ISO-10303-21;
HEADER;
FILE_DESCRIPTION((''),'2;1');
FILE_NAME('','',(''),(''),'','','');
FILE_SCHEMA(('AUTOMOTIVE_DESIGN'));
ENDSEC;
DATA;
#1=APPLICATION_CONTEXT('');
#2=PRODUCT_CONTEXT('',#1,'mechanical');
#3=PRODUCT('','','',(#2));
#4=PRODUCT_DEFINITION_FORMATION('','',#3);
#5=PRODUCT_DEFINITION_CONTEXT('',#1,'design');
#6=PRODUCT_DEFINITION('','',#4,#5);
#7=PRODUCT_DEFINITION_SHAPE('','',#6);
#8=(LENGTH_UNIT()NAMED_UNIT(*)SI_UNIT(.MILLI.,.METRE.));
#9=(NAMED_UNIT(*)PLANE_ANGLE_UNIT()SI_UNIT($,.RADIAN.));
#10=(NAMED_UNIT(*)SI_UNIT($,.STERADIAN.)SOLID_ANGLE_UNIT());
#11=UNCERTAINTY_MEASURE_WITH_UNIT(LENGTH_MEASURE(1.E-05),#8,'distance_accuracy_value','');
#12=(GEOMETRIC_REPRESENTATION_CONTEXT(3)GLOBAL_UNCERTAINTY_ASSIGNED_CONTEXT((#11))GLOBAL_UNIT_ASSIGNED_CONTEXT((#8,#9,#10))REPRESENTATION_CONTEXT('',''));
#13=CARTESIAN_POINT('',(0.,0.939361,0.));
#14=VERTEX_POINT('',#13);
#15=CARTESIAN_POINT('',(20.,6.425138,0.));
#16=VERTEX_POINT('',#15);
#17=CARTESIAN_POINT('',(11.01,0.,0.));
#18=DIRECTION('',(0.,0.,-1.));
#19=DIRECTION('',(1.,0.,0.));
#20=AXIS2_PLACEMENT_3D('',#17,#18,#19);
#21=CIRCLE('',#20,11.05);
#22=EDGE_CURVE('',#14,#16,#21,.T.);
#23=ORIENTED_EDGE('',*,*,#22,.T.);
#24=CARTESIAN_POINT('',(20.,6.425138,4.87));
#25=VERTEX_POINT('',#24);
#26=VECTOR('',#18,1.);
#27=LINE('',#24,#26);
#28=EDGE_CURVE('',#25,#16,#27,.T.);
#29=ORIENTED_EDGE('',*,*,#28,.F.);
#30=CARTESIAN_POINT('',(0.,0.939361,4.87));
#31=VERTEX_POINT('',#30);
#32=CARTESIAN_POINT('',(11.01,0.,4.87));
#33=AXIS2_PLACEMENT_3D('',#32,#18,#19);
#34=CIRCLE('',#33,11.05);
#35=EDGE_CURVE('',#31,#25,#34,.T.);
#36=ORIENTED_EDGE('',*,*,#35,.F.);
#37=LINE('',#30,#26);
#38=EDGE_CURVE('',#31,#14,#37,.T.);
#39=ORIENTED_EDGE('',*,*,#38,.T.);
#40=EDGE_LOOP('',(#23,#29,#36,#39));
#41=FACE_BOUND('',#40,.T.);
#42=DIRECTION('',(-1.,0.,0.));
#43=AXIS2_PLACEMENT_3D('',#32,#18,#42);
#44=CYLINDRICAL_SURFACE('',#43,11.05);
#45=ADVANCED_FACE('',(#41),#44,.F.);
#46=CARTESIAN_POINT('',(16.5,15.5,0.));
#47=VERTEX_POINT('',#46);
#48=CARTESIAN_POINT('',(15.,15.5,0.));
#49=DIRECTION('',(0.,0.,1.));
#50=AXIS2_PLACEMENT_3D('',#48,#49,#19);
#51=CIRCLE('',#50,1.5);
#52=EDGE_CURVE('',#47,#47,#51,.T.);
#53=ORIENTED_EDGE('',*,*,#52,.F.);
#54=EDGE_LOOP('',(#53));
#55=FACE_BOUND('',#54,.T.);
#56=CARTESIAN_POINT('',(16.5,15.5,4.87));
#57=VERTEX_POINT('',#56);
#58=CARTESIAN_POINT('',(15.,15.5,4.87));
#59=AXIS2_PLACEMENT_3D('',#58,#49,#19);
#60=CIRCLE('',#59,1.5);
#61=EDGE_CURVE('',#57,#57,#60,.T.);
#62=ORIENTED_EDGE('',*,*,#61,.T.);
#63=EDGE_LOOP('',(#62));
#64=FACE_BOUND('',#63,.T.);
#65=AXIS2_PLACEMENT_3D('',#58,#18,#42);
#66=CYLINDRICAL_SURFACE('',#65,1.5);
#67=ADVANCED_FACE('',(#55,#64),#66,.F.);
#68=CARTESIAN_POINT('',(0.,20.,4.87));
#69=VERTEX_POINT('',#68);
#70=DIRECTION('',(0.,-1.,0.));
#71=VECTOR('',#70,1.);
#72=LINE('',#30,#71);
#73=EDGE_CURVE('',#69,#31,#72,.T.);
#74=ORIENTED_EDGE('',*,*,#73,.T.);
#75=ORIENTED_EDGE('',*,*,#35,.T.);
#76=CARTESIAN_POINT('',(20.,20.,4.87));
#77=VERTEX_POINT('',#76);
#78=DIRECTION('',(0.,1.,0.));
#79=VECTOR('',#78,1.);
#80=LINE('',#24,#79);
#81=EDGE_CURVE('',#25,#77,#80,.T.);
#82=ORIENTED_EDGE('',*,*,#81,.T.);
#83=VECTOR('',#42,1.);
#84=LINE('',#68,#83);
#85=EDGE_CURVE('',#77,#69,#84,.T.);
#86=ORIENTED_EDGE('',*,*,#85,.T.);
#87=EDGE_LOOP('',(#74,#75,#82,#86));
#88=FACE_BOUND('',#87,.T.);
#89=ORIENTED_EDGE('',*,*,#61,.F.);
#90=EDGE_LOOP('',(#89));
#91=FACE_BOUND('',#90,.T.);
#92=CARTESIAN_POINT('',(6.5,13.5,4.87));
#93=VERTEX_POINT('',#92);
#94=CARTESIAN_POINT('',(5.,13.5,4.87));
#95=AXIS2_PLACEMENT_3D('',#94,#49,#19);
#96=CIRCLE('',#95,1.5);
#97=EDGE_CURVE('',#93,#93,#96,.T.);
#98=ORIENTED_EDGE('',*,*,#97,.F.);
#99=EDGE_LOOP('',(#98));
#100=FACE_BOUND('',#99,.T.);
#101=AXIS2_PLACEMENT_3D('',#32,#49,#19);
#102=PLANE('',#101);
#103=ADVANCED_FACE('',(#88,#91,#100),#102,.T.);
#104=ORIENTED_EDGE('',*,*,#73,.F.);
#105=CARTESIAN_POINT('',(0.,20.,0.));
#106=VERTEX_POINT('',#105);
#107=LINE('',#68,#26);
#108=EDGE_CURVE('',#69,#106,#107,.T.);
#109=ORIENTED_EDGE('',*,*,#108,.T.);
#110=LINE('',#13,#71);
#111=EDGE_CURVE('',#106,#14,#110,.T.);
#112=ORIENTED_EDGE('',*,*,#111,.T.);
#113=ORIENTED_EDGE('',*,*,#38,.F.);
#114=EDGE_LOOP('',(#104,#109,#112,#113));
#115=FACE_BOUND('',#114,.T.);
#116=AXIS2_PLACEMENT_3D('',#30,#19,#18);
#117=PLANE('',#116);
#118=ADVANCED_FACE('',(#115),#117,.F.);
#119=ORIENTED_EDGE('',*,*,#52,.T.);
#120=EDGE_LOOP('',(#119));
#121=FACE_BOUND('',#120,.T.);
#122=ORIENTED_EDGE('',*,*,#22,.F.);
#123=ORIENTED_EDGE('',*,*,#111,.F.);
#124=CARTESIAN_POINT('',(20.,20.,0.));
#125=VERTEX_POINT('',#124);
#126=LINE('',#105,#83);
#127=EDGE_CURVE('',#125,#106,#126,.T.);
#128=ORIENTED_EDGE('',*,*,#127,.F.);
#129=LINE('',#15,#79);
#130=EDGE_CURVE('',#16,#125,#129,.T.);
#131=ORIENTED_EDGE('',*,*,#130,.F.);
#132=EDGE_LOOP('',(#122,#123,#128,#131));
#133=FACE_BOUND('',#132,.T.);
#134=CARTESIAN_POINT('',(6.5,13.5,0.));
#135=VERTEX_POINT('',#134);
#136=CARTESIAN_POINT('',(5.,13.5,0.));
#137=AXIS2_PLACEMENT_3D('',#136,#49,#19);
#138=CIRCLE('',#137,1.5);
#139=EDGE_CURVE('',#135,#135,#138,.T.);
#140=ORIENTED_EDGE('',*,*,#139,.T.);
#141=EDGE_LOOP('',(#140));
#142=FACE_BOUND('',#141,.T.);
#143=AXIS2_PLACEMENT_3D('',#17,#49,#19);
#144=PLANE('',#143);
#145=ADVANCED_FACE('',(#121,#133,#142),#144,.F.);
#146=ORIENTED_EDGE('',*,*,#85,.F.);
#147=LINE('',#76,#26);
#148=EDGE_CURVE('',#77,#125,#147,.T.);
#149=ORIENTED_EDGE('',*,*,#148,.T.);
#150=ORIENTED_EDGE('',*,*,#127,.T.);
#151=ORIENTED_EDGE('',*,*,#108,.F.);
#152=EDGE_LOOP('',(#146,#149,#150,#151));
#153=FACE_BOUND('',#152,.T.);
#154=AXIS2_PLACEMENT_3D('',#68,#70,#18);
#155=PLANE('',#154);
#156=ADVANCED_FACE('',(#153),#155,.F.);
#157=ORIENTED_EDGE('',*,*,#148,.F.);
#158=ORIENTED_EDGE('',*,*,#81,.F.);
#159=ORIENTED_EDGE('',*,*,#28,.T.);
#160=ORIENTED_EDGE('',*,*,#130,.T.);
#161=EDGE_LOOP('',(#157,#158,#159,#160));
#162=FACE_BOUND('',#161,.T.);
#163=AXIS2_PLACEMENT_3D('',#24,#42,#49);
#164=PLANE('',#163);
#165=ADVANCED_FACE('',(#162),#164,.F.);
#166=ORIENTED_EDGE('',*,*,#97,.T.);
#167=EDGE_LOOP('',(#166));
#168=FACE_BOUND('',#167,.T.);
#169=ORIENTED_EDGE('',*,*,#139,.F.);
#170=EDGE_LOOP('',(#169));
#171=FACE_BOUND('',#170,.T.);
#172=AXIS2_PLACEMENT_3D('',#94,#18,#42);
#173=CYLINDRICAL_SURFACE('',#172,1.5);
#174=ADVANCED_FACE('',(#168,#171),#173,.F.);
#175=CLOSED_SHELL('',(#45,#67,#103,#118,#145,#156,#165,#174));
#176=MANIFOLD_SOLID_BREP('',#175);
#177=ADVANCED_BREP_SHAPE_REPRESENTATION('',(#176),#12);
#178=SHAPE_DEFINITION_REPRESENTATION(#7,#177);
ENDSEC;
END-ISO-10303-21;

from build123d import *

# Parameters (mm, degrees)
SKETCH1_R           = 1.5
BOSS_EXTRUDE1_DEPTH = 4.87


with BuildPart() as part:
    # Sketch1 → Boss-Extrude1 (new body)
    with BuildSketch(Plane.XY):
        with BuildLine():
            Line((0, 0.939361485), (0, 20))
            Line((0, 20), (20, 20))
            Line((20, 20), (20, 6.425138131))
            ThreePointArc((20, 6.425138131), (8.087067166, 10.656404818), (0, 0.939361485))
        make_face()
        with Locations((5, 13.5)):
            Circle(SKETCH1_R, mode=Mode.SUBTRACT)
        with Locations((15, 15.5)):
            Circle(SKETCH1_R, mode=Mode.SUBTRACT)
    extrude(amount=BOSS_EXTRUDE1_DEPTH)


solid = part.part
